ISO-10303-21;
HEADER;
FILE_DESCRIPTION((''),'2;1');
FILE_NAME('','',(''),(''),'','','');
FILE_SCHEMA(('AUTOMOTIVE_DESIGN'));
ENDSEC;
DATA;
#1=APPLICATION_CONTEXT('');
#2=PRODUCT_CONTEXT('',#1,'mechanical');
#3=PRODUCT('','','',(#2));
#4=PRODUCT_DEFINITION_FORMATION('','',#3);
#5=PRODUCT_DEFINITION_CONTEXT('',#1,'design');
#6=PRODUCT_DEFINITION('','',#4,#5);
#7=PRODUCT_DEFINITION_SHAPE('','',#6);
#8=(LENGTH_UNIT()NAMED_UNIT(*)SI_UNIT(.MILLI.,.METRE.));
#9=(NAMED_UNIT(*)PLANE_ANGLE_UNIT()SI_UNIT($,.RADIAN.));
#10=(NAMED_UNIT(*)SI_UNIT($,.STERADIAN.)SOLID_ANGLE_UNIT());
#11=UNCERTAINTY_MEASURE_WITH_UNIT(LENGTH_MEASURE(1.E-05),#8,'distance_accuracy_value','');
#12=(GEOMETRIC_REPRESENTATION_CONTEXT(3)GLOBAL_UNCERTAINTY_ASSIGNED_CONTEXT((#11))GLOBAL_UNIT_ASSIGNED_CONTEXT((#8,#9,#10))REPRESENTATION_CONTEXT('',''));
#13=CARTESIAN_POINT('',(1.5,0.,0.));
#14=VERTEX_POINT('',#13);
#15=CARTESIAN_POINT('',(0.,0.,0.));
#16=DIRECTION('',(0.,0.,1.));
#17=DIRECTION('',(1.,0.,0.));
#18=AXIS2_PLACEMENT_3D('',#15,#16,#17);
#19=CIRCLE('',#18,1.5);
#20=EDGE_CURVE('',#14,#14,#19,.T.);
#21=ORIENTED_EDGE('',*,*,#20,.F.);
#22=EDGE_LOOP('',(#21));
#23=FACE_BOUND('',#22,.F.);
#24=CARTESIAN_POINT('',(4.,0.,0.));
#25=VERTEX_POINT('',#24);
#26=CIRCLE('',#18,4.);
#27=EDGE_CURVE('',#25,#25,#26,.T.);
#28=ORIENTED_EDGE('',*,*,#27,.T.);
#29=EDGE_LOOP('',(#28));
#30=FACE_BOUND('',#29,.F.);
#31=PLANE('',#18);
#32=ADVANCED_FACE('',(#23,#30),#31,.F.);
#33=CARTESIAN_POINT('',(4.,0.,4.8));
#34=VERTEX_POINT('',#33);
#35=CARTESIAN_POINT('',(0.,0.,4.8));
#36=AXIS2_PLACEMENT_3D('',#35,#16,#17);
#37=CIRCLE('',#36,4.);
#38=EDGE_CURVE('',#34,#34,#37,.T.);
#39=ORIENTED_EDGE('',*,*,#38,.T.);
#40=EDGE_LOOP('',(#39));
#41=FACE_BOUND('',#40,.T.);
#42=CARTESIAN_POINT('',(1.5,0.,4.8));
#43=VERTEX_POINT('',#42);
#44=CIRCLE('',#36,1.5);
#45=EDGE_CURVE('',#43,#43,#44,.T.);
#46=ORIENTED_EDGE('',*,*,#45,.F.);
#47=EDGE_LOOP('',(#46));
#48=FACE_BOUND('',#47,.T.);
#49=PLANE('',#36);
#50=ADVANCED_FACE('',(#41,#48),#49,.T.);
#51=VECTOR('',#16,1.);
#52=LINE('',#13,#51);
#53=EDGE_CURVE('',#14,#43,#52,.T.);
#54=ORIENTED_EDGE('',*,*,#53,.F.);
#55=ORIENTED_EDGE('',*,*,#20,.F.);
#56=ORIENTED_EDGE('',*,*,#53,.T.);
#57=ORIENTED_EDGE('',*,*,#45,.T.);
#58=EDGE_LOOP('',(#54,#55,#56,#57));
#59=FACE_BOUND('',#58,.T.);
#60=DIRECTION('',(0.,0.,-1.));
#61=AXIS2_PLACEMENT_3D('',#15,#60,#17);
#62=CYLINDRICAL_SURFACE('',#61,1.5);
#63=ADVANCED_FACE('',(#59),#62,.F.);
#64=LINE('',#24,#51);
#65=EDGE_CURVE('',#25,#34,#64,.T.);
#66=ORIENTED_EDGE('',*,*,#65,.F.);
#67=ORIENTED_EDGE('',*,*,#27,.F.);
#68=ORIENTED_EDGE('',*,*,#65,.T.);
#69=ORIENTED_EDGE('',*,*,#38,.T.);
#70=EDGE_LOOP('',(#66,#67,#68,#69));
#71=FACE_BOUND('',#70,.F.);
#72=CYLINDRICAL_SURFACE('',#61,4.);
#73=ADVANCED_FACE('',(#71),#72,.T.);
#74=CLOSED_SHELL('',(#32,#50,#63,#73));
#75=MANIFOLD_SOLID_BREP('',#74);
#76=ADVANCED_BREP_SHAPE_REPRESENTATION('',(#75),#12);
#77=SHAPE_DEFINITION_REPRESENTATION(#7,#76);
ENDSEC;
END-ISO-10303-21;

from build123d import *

# Parameters (mm, degrees)
SKETCH_R   = 4
SKETCH_R_2 = 1.5
PAD_DEPTH  = 4.8


with BuildPart() as part:
    # Sketch → Pad (new body)
    with BuildSketch(Plane.XY):
        Circle(SKETCH_R)
        Circle(SKETCH_R_2, mode=Mode.SUBTRACT)
    extrude(amount=PAD_DEPTH)


solid = part.part
